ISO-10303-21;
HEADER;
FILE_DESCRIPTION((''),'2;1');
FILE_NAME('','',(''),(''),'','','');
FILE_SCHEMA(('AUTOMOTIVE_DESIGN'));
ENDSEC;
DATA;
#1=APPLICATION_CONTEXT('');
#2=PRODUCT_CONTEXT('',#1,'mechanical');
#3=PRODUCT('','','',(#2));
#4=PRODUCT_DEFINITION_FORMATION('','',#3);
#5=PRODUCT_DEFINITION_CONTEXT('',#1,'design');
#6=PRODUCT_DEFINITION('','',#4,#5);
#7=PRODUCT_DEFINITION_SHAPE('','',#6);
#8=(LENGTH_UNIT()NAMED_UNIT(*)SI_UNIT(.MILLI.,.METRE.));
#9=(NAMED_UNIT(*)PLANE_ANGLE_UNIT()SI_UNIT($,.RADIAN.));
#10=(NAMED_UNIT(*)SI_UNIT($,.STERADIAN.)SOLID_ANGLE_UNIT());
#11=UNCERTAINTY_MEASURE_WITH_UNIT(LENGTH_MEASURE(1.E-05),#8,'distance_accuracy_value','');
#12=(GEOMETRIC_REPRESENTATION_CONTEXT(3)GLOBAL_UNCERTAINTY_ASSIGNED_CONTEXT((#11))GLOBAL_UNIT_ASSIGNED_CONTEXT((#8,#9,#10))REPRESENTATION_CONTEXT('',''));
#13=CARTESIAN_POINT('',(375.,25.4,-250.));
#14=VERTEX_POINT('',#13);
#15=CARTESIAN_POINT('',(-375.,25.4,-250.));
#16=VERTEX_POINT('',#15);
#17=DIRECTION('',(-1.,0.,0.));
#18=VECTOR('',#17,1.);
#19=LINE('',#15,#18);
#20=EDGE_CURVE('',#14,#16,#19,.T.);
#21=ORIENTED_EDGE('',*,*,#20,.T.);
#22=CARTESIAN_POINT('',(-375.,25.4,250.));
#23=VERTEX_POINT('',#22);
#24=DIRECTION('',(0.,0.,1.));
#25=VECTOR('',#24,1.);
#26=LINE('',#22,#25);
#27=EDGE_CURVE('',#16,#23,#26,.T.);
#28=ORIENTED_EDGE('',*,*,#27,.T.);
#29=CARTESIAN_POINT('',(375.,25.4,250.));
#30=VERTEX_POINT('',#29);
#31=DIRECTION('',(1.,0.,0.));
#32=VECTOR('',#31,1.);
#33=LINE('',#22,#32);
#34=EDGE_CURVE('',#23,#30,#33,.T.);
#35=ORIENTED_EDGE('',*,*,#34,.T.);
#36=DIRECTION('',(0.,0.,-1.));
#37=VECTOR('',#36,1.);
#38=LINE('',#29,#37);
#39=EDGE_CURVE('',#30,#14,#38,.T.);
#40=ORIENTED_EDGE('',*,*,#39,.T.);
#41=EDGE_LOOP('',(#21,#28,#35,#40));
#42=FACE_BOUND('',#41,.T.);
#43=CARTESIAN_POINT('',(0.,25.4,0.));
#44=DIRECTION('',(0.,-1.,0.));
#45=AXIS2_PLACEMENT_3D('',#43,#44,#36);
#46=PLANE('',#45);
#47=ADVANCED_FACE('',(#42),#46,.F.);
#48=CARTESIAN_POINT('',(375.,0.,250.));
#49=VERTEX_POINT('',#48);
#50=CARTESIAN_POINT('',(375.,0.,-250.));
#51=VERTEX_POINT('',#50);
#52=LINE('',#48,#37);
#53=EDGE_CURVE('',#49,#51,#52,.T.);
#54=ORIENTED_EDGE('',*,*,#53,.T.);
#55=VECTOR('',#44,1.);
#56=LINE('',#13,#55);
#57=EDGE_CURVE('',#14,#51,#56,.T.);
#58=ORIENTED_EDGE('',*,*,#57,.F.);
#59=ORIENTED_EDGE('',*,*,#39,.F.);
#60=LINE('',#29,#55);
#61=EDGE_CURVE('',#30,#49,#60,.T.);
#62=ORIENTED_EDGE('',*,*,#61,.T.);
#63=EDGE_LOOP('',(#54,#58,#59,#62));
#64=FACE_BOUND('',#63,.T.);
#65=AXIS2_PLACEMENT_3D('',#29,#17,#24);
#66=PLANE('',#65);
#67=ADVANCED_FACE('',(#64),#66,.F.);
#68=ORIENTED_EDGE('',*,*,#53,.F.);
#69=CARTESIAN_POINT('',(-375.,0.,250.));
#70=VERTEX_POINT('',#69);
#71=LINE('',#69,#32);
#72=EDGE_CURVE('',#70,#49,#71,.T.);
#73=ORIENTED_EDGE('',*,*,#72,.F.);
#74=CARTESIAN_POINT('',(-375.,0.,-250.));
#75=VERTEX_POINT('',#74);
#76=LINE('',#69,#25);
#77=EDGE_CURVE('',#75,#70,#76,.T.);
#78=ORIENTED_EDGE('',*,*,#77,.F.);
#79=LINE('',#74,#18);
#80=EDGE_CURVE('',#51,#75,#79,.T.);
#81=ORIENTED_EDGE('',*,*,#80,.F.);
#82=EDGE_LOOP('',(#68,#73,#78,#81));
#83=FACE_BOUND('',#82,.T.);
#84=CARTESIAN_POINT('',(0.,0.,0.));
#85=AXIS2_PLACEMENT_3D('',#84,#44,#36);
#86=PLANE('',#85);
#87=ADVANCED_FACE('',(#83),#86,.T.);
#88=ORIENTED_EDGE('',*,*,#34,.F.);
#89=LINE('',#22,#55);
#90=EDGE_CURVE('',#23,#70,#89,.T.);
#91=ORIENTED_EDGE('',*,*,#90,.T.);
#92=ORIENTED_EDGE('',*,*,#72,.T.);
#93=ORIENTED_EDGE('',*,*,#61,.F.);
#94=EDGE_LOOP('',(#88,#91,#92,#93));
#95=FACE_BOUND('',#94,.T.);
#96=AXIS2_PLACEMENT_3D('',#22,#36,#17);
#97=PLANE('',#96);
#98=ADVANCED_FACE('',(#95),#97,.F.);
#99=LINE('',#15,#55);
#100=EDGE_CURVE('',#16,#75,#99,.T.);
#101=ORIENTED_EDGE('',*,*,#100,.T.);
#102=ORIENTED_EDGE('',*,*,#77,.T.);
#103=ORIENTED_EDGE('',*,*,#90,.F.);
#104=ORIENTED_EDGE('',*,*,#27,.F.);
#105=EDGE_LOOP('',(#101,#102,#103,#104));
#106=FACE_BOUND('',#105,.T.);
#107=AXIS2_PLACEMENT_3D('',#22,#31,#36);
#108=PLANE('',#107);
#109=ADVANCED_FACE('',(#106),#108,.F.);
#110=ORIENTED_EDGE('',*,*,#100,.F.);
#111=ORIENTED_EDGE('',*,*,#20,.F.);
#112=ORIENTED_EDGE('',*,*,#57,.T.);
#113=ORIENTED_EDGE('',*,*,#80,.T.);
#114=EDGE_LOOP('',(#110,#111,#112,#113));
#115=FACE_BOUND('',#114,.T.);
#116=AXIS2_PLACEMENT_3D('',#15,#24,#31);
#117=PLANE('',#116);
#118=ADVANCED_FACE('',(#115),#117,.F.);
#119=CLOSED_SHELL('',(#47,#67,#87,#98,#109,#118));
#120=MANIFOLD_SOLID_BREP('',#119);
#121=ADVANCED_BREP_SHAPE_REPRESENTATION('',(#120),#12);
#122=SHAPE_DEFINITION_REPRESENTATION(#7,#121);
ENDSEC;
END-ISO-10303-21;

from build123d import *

# Parameters (mm, degrees)
CROQUIS1_W              = 750
CROQUIS1_H              = 500
SALIENTE_EXTRUIR1_DEPTH = 25.4


with BuildPart() as part:
    # Croquis1 → Saliente-Extruir1 (new body)
    with BuildSketch(Plane(origin=(0, 0, 0), x_dir=(1, 0, 0), z_dir=(0, 1, 0))):
        Rectangle(CROQUIS1_W, CROQUIS1_H)
    extrude(amount=SALIENTE_EXTRUIR1_DEPTH)


solid = part.part
